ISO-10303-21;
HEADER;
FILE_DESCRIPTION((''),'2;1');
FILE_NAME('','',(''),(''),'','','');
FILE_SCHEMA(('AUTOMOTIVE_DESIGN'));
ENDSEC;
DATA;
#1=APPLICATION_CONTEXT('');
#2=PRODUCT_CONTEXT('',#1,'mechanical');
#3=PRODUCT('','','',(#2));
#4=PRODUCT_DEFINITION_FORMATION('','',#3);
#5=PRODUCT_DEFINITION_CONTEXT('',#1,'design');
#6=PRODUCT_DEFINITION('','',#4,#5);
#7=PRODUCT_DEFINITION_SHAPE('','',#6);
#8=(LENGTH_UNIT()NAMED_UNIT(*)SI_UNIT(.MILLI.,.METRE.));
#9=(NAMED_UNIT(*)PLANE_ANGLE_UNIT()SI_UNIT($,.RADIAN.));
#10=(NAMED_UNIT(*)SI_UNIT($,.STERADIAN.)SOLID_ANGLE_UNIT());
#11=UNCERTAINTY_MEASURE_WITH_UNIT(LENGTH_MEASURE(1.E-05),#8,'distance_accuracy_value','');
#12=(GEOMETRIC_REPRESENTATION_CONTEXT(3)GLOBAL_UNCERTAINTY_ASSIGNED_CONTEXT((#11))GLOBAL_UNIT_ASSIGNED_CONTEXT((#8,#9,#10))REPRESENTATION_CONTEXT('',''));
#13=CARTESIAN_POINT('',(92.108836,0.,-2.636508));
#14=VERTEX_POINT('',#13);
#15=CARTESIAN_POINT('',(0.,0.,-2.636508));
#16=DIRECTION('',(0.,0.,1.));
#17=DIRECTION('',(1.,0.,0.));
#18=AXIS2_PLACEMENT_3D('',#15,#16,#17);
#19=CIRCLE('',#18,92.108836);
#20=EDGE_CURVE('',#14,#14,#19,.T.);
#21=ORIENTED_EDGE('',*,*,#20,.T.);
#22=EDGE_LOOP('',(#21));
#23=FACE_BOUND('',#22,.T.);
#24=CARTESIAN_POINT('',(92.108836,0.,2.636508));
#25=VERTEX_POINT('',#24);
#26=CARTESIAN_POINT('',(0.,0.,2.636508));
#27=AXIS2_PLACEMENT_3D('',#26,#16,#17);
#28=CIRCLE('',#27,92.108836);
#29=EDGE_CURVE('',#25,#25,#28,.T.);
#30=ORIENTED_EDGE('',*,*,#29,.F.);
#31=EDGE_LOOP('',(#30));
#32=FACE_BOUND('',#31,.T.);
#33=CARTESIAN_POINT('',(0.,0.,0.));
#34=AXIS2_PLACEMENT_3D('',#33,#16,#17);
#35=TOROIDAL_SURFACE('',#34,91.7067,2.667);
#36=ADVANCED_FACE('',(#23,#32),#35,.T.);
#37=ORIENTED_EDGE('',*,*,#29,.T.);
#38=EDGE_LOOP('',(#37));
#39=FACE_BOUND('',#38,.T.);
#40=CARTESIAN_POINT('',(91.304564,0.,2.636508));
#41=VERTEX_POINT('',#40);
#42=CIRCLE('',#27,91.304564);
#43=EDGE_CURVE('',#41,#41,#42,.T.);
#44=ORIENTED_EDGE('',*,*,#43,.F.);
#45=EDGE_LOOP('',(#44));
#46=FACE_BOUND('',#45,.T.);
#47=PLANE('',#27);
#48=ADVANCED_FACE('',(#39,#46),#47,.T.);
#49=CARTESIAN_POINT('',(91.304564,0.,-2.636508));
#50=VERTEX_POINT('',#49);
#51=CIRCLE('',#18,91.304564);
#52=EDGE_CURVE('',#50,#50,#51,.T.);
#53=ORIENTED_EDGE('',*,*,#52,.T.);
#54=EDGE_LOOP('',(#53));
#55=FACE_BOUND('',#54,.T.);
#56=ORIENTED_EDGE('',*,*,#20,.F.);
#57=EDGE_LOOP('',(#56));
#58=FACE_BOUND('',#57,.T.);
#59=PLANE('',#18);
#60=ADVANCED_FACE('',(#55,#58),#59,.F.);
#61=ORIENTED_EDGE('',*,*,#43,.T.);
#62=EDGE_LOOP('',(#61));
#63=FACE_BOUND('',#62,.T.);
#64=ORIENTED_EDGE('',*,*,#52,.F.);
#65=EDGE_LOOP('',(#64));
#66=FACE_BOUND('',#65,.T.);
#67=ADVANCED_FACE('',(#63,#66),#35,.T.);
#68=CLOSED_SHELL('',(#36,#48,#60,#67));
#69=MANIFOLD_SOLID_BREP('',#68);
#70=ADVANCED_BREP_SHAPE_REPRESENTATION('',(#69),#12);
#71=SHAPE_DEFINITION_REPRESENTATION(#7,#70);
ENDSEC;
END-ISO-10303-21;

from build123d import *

# Parameters (mm, degrees)
SKETCH1_W = 0.804271402
SKETCH1_H = 5.273016548


with BuildPart() as part:
    # Sketch1 → Revolve1 (revolve)
    with BuildSketch(Plane(origin=(0, 0, 0), x_dir=(0, -1, 0), z_dir=(1, 0, 0)), mode=Mode.PRIVATE) as revolve1_sk:
        with BuildLine():
            ThreePointArc((91.304564299, 2.636508274), (89.0397, 0), (91.304564299, -2.636508274))
            Line((91.304564299, -2.636508274), (91.304564299, 2.636508274))
        make_face()
        with Locations((91.7067, 0)):
            Rectangle(SKETCH1_W, SKETCH1_H)
        with BuildLine():
            Line((92.108835701, 2.636508274), (92.108835701, -2.636508274))
            ThreePointArc((92.108835701, -2.636508274), (93.729740399, -1.737871268), (94.3737, 0))
            ThreePointArc((94.3737, 0), (93.729740399, 1.737871268), (92.108835701, 2.636508274))
        make_face()
    revolve(revolve1_sk.sketch.rotate(Axis((0, 0, 2.667), (0, 0, -1)), 270), axis=Axis((0, 0, 2.667), (0, 0, -1)))


solid = part.part
